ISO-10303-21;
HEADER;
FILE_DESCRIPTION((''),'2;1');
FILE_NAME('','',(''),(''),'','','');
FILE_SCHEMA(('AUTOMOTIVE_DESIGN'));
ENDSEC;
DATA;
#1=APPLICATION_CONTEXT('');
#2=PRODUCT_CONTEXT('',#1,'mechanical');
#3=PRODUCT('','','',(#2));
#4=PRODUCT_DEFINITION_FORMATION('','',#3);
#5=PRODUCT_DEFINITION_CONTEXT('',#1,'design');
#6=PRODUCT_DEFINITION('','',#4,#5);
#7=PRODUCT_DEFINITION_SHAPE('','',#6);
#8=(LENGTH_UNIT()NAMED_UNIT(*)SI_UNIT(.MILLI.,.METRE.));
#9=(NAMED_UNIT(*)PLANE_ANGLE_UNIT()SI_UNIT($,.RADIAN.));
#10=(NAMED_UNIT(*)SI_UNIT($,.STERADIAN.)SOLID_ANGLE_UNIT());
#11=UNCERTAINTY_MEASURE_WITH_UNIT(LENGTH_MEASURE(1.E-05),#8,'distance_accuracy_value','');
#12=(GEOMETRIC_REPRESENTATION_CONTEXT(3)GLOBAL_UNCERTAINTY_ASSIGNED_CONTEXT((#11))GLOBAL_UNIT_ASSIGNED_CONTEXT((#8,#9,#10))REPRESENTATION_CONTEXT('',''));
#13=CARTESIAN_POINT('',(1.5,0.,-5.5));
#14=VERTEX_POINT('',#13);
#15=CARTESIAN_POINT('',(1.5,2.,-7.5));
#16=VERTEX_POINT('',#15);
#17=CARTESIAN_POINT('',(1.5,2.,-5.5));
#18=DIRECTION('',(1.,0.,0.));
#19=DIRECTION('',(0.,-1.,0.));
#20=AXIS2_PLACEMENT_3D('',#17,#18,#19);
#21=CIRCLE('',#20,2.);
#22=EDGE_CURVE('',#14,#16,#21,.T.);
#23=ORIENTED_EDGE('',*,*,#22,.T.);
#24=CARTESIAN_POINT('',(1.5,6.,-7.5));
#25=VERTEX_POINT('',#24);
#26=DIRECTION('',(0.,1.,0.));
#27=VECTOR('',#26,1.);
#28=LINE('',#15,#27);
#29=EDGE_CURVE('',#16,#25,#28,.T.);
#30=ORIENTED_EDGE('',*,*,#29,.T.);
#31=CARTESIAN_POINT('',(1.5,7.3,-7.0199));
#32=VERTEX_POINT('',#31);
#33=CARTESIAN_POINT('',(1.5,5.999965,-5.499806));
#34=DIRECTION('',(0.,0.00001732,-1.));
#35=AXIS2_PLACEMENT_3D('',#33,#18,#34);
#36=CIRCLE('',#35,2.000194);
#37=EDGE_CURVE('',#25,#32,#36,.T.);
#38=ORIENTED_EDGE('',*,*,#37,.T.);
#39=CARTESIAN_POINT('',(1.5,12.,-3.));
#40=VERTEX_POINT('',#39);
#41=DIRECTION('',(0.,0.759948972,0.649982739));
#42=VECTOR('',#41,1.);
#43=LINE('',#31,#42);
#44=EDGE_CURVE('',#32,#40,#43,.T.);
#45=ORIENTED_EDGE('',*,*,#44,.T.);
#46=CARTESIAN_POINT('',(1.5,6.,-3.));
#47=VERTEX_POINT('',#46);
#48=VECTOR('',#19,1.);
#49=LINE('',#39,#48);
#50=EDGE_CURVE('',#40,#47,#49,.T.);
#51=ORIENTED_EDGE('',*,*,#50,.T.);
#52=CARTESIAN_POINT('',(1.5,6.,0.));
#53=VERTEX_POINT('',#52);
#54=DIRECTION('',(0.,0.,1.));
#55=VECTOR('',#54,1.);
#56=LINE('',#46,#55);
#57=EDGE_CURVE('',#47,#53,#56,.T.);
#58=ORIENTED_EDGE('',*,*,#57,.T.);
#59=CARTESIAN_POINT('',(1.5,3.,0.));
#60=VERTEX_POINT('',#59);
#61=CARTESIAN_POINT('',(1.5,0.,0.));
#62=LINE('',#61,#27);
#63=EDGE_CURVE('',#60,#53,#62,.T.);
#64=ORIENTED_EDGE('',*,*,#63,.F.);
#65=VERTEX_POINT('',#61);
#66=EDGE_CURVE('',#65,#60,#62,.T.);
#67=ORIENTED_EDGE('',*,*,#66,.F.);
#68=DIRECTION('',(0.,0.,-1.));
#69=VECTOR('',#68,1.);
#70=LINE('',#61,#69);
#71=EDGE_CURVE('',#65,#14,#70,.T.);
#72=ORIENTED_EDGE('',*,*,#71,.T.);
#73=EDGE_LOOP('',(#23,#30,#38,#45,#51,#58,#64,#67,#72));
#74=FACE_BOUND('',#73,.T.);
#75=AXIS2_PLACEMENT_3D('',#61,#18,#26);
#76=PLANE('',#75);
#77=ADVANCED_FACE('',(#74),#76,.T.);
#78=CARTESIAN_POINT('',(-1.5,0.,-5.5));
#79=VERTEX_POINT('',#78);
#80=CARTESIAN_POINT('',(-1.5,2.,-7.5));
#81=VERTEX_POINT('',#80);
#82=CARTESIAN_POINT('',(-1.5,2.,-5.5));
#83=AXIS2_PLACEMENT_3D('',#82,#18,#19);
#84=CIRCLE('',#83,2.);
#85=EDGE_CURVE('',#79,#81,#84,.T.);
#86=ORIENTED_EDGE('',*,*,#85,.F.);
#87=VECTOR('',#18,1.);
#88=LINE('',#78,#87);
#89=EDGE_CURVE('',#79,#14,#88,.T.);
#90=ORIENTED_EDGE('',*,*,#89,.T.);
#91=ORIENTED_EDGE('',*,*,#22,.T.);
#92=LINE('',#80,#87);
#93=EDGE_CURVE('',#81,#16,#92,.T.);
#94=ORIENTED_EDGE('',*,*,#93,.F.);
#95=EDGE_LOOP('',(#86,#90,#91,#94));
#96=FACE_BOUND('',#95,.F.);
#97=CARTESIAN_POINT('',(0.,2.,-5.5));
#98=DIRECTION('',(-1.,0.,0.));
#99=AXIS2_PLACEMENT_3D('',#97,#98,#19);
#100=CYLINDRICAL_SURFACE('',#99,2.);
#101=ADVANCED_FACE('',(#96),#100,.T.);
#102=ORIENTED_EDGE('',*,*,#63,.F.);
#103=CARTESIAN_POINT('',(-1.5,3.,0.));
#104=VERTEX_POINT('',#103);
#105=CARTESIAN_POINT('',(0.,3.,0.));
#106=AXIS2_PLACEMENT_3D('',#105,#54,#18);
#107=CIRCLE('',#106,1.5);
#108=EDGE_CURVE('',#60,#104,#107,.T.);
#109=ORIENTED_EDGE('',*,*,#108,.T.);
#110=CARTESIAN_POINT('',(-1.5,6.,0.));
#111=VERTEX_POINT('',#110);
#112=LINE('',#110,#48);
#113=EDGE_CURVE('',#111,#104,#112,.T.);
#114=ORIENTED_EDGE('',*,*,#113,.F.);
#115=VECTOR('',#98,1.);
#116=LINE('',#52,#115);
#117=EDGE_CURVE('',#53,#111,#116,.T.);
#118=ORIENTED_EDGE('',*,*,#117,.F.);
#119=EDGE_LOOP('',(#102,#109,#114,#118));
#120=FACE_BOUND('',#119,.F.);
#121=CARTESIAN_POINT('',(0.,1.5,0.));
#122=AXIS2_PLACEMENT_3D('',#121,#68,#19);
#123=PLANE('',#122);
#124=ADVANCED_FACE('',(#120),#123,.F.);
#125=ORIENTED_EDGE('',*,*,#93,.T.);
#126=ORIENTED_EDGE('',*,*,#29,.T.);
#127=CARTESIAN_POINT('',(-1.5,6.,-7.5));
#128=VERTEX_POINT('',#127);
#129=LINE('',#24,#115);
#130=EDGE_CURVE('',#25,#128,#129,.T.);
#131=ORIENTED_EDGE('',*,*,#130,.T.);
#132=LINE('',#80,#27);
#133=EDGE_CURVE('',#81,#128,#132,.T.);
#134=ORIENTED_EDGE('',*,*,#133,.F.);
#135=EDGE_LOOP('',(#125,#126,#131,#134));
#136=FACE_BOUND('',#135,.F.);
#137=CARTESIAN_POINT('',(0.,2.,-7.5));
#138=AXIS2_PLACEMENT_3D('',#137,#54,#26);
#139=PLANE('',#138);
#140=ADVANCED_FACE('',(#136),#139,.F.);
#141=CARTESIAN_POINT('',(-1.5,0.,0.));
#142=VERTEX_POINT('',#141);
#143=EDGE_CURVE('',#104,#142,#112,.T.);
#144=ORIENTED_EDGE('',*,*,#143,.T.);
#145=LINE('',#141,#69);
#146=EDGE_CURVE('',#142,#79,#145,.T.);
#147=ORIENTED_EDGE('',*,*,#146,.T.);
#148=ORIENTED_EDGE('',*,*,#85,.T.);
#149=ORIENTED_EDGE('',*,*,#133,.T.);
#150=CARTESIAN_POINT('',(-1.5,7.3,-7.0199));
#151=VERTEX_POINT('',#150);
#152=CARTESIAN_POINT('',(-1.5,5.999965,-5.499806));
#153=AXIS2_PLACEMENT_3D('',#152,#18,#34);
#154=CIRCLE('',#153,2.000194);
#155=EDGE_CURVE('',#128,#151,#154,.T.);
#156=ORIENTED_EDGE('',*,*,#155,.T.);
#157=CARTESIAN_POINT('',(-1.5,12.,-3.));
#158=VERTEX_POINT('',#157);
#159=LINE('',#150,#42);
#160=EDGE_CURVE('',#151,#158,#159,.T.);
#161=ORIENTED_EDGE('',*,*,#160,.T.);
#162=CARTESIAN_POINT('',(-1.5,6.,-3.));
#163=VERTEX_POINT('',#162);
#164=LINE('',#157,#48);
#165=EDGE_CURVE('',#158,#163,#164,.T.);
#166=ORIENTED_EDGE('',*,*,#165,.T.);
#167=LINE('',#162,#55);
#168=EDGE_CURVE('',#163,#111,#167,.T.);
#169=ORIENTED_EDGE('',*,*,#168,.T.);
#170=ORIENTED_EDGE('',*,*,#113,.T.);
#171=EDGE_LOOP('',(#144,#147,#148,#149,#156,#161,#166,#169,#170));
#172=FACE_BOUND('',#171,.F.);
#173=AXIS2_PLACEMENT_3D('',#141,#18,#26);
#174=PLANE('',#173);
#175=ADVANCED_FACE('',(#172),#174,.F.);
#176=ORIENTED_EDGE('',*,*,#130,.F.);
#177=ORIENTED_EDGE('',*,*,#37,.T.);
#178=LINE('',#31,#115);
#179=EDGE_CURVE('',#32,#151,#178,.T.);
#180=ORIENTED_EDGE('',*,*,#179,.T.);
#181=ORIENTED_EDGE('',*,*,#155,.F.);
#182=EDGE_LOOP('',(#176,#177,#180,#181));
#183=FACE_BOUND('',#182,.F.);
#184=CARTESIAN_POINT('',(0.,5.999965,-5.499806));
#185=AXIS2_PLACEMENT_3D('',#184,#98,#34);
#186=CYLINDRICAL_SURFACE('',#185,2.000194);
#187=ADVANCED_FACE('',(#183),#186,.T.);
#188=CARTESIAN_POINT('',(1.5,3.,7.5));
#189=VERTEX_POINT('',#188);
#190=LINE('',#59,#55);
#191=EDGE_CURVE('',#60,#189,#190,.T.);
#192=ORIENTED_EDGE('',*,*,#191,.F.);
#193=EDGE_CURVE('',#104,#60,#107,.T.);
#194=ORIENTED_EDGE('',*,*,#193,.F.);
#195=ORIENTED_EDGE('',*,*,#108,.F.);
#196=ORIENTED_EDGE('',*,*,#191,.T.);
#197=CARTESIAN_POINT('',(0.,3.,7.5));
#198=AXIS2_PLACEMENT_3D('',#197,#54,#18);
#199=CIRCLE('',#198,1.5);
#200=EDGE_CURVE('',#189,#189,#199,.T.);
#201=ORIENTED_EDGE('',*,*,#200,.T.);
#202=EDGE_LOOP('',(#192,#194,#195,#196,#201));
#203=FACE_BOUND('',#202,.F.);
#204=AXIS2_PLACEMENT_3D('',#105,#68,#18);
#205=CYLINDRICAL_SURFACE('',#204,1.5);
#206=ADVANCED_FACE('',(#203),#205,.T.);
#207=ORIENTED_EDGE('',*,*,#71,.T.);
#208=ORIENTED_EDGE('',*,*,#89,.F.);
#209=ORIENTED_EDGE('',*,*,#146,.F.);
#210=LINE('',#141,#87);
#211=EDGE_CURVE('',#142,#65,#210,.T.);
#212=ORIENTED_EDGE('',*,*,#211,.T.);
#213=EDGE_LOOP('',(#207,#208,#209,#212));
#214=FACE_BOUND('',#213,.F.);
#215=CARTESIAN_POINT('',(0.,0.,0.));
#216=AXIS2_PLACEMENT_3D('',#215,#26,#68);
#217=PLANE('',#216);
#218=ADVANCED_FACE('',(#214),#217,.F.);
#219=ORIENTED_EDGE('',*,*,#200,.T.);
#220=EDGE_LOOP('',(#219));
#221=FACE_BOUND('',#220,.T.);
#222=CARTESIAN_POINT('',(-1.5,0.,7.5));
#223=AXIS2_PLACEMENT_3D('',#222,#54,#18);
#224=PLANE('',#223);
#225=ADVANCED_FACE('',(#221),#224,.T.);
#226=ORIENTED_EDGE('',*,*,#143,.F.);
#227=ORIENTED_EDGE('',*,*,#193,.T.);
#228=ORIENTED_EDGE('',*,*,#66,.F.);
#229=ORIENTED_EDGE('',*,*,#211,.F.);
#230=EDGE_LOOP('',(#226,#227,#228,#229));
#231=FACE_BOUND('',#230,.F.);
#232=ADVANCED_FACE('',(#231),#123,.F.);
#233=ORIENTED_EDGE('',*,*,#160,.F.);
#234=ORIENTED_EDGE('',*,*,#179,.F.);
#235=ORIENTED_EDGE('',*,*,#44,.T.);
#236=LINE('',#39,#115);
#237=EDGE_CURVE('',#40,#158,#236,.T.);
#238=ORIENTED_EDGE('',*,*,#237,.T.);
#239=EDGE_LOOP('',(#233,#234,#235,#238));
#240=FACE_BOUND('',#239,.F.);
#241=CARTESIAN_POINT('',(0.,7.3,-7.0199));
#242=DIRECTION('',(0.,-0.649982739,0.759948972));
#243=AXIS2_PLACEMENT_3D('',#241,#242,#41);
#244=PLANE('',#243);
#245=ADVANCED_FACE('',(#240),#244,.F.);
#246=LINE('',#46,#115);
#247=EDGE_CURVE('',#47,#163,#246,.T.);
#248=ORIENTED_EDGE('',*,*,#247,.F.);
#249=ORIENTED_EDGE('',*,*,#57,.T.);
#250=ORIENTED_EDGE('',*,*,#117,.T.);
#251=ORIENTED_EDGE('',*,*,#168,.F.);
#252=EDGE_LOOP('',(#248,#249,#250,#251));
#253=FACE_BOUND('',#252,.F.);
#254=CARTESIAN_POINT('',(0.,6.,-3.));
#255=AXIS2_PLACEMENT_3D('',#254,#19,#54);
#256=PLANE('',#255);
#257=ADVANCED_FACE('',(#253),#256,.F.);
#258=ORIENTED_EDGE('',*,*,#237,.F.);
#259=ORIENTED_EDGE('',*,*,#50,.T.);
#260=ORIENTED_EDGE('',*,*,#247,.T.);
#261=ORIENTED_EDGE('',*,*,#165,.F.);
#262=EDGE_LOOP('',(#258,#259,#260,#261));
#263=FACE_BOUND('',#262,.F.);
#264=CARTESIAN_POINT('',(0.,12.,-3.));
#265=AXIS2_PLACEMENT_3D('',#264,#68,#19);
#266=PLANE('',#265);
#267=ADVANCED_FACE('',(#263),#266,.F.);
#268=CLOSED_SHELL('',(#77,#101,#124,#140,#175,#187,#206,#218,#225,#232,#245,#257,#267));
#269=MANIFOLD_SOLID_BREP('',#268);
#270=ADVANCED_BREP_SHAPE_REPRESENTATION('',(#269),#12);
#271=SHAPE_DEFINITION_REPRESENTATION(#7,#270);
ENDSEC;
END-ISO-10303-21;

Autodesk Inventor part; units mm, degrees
ref_plane "YZ Plane" through (0, 0, 0) normal (1, 0, 0) x (0, 1, 0)
ref_plane "XZ Plane" through (0, 0, 0) normal (0, 1, 0) x (-1, 0, 0)
ref_plane "XY Plane" through (0, 0, 0) normal (0, 0, 1) x (1, 0, 0)
sketch "Skizze1" plane through (0, 0, 0) normal (1, 0, 0) x (0, 1, 0)
  line L0 (0, 0) -> (0, -5.5)
  line L1 (2, -7.5) -> (6, -7.5)
  line L2 (7.3, -7.0199) -> (12, -3)
  line L3 (12, -3) -> (6, -3)
  line L4 (6, -3) -> (6, 0)
  line L5 (6, 0) -> (1.5, 0)
  line L6 (1.5, 0) -> (0, 0)
  arc A0 (0, -5.5) -> (2, -7.5) centre (2, -5.5) ccw
  arc A1 (6, -7.5) -> (7.3, -7.0199) centre (6, -5.5) ccw
  dimension "d3" = 3
  dimension "d4" = 6
  dimension "d8" = 2
  dimension "d9" = 6
  dimension "d10" = 7.5
extrude "Extrusion1" add sketch "Skizze1" along normal mid plane 3
sketch "Skizze2" plane through (-1.5, 0, 0) normal (0, 0, 1) x (1, 0, 0)
  circle A0 centre (1.5, 3) radius 1.5
  line L0 (0, 0) -> (3, 0) projected
  point P0 (1.5, 0)
  point P1 (1.5, 0)
  point P2 (1.5, 0)
  dimension "d13" = 3
  dimension "d14" = 3
extrude "Extrusion2" add sketch "Skizze2" along normal blind 7.5
thread "Gewinde1" size "M3x0.5" class "6g" standard "ISO Metric profile" length 11
properties part number "1 part 8"
